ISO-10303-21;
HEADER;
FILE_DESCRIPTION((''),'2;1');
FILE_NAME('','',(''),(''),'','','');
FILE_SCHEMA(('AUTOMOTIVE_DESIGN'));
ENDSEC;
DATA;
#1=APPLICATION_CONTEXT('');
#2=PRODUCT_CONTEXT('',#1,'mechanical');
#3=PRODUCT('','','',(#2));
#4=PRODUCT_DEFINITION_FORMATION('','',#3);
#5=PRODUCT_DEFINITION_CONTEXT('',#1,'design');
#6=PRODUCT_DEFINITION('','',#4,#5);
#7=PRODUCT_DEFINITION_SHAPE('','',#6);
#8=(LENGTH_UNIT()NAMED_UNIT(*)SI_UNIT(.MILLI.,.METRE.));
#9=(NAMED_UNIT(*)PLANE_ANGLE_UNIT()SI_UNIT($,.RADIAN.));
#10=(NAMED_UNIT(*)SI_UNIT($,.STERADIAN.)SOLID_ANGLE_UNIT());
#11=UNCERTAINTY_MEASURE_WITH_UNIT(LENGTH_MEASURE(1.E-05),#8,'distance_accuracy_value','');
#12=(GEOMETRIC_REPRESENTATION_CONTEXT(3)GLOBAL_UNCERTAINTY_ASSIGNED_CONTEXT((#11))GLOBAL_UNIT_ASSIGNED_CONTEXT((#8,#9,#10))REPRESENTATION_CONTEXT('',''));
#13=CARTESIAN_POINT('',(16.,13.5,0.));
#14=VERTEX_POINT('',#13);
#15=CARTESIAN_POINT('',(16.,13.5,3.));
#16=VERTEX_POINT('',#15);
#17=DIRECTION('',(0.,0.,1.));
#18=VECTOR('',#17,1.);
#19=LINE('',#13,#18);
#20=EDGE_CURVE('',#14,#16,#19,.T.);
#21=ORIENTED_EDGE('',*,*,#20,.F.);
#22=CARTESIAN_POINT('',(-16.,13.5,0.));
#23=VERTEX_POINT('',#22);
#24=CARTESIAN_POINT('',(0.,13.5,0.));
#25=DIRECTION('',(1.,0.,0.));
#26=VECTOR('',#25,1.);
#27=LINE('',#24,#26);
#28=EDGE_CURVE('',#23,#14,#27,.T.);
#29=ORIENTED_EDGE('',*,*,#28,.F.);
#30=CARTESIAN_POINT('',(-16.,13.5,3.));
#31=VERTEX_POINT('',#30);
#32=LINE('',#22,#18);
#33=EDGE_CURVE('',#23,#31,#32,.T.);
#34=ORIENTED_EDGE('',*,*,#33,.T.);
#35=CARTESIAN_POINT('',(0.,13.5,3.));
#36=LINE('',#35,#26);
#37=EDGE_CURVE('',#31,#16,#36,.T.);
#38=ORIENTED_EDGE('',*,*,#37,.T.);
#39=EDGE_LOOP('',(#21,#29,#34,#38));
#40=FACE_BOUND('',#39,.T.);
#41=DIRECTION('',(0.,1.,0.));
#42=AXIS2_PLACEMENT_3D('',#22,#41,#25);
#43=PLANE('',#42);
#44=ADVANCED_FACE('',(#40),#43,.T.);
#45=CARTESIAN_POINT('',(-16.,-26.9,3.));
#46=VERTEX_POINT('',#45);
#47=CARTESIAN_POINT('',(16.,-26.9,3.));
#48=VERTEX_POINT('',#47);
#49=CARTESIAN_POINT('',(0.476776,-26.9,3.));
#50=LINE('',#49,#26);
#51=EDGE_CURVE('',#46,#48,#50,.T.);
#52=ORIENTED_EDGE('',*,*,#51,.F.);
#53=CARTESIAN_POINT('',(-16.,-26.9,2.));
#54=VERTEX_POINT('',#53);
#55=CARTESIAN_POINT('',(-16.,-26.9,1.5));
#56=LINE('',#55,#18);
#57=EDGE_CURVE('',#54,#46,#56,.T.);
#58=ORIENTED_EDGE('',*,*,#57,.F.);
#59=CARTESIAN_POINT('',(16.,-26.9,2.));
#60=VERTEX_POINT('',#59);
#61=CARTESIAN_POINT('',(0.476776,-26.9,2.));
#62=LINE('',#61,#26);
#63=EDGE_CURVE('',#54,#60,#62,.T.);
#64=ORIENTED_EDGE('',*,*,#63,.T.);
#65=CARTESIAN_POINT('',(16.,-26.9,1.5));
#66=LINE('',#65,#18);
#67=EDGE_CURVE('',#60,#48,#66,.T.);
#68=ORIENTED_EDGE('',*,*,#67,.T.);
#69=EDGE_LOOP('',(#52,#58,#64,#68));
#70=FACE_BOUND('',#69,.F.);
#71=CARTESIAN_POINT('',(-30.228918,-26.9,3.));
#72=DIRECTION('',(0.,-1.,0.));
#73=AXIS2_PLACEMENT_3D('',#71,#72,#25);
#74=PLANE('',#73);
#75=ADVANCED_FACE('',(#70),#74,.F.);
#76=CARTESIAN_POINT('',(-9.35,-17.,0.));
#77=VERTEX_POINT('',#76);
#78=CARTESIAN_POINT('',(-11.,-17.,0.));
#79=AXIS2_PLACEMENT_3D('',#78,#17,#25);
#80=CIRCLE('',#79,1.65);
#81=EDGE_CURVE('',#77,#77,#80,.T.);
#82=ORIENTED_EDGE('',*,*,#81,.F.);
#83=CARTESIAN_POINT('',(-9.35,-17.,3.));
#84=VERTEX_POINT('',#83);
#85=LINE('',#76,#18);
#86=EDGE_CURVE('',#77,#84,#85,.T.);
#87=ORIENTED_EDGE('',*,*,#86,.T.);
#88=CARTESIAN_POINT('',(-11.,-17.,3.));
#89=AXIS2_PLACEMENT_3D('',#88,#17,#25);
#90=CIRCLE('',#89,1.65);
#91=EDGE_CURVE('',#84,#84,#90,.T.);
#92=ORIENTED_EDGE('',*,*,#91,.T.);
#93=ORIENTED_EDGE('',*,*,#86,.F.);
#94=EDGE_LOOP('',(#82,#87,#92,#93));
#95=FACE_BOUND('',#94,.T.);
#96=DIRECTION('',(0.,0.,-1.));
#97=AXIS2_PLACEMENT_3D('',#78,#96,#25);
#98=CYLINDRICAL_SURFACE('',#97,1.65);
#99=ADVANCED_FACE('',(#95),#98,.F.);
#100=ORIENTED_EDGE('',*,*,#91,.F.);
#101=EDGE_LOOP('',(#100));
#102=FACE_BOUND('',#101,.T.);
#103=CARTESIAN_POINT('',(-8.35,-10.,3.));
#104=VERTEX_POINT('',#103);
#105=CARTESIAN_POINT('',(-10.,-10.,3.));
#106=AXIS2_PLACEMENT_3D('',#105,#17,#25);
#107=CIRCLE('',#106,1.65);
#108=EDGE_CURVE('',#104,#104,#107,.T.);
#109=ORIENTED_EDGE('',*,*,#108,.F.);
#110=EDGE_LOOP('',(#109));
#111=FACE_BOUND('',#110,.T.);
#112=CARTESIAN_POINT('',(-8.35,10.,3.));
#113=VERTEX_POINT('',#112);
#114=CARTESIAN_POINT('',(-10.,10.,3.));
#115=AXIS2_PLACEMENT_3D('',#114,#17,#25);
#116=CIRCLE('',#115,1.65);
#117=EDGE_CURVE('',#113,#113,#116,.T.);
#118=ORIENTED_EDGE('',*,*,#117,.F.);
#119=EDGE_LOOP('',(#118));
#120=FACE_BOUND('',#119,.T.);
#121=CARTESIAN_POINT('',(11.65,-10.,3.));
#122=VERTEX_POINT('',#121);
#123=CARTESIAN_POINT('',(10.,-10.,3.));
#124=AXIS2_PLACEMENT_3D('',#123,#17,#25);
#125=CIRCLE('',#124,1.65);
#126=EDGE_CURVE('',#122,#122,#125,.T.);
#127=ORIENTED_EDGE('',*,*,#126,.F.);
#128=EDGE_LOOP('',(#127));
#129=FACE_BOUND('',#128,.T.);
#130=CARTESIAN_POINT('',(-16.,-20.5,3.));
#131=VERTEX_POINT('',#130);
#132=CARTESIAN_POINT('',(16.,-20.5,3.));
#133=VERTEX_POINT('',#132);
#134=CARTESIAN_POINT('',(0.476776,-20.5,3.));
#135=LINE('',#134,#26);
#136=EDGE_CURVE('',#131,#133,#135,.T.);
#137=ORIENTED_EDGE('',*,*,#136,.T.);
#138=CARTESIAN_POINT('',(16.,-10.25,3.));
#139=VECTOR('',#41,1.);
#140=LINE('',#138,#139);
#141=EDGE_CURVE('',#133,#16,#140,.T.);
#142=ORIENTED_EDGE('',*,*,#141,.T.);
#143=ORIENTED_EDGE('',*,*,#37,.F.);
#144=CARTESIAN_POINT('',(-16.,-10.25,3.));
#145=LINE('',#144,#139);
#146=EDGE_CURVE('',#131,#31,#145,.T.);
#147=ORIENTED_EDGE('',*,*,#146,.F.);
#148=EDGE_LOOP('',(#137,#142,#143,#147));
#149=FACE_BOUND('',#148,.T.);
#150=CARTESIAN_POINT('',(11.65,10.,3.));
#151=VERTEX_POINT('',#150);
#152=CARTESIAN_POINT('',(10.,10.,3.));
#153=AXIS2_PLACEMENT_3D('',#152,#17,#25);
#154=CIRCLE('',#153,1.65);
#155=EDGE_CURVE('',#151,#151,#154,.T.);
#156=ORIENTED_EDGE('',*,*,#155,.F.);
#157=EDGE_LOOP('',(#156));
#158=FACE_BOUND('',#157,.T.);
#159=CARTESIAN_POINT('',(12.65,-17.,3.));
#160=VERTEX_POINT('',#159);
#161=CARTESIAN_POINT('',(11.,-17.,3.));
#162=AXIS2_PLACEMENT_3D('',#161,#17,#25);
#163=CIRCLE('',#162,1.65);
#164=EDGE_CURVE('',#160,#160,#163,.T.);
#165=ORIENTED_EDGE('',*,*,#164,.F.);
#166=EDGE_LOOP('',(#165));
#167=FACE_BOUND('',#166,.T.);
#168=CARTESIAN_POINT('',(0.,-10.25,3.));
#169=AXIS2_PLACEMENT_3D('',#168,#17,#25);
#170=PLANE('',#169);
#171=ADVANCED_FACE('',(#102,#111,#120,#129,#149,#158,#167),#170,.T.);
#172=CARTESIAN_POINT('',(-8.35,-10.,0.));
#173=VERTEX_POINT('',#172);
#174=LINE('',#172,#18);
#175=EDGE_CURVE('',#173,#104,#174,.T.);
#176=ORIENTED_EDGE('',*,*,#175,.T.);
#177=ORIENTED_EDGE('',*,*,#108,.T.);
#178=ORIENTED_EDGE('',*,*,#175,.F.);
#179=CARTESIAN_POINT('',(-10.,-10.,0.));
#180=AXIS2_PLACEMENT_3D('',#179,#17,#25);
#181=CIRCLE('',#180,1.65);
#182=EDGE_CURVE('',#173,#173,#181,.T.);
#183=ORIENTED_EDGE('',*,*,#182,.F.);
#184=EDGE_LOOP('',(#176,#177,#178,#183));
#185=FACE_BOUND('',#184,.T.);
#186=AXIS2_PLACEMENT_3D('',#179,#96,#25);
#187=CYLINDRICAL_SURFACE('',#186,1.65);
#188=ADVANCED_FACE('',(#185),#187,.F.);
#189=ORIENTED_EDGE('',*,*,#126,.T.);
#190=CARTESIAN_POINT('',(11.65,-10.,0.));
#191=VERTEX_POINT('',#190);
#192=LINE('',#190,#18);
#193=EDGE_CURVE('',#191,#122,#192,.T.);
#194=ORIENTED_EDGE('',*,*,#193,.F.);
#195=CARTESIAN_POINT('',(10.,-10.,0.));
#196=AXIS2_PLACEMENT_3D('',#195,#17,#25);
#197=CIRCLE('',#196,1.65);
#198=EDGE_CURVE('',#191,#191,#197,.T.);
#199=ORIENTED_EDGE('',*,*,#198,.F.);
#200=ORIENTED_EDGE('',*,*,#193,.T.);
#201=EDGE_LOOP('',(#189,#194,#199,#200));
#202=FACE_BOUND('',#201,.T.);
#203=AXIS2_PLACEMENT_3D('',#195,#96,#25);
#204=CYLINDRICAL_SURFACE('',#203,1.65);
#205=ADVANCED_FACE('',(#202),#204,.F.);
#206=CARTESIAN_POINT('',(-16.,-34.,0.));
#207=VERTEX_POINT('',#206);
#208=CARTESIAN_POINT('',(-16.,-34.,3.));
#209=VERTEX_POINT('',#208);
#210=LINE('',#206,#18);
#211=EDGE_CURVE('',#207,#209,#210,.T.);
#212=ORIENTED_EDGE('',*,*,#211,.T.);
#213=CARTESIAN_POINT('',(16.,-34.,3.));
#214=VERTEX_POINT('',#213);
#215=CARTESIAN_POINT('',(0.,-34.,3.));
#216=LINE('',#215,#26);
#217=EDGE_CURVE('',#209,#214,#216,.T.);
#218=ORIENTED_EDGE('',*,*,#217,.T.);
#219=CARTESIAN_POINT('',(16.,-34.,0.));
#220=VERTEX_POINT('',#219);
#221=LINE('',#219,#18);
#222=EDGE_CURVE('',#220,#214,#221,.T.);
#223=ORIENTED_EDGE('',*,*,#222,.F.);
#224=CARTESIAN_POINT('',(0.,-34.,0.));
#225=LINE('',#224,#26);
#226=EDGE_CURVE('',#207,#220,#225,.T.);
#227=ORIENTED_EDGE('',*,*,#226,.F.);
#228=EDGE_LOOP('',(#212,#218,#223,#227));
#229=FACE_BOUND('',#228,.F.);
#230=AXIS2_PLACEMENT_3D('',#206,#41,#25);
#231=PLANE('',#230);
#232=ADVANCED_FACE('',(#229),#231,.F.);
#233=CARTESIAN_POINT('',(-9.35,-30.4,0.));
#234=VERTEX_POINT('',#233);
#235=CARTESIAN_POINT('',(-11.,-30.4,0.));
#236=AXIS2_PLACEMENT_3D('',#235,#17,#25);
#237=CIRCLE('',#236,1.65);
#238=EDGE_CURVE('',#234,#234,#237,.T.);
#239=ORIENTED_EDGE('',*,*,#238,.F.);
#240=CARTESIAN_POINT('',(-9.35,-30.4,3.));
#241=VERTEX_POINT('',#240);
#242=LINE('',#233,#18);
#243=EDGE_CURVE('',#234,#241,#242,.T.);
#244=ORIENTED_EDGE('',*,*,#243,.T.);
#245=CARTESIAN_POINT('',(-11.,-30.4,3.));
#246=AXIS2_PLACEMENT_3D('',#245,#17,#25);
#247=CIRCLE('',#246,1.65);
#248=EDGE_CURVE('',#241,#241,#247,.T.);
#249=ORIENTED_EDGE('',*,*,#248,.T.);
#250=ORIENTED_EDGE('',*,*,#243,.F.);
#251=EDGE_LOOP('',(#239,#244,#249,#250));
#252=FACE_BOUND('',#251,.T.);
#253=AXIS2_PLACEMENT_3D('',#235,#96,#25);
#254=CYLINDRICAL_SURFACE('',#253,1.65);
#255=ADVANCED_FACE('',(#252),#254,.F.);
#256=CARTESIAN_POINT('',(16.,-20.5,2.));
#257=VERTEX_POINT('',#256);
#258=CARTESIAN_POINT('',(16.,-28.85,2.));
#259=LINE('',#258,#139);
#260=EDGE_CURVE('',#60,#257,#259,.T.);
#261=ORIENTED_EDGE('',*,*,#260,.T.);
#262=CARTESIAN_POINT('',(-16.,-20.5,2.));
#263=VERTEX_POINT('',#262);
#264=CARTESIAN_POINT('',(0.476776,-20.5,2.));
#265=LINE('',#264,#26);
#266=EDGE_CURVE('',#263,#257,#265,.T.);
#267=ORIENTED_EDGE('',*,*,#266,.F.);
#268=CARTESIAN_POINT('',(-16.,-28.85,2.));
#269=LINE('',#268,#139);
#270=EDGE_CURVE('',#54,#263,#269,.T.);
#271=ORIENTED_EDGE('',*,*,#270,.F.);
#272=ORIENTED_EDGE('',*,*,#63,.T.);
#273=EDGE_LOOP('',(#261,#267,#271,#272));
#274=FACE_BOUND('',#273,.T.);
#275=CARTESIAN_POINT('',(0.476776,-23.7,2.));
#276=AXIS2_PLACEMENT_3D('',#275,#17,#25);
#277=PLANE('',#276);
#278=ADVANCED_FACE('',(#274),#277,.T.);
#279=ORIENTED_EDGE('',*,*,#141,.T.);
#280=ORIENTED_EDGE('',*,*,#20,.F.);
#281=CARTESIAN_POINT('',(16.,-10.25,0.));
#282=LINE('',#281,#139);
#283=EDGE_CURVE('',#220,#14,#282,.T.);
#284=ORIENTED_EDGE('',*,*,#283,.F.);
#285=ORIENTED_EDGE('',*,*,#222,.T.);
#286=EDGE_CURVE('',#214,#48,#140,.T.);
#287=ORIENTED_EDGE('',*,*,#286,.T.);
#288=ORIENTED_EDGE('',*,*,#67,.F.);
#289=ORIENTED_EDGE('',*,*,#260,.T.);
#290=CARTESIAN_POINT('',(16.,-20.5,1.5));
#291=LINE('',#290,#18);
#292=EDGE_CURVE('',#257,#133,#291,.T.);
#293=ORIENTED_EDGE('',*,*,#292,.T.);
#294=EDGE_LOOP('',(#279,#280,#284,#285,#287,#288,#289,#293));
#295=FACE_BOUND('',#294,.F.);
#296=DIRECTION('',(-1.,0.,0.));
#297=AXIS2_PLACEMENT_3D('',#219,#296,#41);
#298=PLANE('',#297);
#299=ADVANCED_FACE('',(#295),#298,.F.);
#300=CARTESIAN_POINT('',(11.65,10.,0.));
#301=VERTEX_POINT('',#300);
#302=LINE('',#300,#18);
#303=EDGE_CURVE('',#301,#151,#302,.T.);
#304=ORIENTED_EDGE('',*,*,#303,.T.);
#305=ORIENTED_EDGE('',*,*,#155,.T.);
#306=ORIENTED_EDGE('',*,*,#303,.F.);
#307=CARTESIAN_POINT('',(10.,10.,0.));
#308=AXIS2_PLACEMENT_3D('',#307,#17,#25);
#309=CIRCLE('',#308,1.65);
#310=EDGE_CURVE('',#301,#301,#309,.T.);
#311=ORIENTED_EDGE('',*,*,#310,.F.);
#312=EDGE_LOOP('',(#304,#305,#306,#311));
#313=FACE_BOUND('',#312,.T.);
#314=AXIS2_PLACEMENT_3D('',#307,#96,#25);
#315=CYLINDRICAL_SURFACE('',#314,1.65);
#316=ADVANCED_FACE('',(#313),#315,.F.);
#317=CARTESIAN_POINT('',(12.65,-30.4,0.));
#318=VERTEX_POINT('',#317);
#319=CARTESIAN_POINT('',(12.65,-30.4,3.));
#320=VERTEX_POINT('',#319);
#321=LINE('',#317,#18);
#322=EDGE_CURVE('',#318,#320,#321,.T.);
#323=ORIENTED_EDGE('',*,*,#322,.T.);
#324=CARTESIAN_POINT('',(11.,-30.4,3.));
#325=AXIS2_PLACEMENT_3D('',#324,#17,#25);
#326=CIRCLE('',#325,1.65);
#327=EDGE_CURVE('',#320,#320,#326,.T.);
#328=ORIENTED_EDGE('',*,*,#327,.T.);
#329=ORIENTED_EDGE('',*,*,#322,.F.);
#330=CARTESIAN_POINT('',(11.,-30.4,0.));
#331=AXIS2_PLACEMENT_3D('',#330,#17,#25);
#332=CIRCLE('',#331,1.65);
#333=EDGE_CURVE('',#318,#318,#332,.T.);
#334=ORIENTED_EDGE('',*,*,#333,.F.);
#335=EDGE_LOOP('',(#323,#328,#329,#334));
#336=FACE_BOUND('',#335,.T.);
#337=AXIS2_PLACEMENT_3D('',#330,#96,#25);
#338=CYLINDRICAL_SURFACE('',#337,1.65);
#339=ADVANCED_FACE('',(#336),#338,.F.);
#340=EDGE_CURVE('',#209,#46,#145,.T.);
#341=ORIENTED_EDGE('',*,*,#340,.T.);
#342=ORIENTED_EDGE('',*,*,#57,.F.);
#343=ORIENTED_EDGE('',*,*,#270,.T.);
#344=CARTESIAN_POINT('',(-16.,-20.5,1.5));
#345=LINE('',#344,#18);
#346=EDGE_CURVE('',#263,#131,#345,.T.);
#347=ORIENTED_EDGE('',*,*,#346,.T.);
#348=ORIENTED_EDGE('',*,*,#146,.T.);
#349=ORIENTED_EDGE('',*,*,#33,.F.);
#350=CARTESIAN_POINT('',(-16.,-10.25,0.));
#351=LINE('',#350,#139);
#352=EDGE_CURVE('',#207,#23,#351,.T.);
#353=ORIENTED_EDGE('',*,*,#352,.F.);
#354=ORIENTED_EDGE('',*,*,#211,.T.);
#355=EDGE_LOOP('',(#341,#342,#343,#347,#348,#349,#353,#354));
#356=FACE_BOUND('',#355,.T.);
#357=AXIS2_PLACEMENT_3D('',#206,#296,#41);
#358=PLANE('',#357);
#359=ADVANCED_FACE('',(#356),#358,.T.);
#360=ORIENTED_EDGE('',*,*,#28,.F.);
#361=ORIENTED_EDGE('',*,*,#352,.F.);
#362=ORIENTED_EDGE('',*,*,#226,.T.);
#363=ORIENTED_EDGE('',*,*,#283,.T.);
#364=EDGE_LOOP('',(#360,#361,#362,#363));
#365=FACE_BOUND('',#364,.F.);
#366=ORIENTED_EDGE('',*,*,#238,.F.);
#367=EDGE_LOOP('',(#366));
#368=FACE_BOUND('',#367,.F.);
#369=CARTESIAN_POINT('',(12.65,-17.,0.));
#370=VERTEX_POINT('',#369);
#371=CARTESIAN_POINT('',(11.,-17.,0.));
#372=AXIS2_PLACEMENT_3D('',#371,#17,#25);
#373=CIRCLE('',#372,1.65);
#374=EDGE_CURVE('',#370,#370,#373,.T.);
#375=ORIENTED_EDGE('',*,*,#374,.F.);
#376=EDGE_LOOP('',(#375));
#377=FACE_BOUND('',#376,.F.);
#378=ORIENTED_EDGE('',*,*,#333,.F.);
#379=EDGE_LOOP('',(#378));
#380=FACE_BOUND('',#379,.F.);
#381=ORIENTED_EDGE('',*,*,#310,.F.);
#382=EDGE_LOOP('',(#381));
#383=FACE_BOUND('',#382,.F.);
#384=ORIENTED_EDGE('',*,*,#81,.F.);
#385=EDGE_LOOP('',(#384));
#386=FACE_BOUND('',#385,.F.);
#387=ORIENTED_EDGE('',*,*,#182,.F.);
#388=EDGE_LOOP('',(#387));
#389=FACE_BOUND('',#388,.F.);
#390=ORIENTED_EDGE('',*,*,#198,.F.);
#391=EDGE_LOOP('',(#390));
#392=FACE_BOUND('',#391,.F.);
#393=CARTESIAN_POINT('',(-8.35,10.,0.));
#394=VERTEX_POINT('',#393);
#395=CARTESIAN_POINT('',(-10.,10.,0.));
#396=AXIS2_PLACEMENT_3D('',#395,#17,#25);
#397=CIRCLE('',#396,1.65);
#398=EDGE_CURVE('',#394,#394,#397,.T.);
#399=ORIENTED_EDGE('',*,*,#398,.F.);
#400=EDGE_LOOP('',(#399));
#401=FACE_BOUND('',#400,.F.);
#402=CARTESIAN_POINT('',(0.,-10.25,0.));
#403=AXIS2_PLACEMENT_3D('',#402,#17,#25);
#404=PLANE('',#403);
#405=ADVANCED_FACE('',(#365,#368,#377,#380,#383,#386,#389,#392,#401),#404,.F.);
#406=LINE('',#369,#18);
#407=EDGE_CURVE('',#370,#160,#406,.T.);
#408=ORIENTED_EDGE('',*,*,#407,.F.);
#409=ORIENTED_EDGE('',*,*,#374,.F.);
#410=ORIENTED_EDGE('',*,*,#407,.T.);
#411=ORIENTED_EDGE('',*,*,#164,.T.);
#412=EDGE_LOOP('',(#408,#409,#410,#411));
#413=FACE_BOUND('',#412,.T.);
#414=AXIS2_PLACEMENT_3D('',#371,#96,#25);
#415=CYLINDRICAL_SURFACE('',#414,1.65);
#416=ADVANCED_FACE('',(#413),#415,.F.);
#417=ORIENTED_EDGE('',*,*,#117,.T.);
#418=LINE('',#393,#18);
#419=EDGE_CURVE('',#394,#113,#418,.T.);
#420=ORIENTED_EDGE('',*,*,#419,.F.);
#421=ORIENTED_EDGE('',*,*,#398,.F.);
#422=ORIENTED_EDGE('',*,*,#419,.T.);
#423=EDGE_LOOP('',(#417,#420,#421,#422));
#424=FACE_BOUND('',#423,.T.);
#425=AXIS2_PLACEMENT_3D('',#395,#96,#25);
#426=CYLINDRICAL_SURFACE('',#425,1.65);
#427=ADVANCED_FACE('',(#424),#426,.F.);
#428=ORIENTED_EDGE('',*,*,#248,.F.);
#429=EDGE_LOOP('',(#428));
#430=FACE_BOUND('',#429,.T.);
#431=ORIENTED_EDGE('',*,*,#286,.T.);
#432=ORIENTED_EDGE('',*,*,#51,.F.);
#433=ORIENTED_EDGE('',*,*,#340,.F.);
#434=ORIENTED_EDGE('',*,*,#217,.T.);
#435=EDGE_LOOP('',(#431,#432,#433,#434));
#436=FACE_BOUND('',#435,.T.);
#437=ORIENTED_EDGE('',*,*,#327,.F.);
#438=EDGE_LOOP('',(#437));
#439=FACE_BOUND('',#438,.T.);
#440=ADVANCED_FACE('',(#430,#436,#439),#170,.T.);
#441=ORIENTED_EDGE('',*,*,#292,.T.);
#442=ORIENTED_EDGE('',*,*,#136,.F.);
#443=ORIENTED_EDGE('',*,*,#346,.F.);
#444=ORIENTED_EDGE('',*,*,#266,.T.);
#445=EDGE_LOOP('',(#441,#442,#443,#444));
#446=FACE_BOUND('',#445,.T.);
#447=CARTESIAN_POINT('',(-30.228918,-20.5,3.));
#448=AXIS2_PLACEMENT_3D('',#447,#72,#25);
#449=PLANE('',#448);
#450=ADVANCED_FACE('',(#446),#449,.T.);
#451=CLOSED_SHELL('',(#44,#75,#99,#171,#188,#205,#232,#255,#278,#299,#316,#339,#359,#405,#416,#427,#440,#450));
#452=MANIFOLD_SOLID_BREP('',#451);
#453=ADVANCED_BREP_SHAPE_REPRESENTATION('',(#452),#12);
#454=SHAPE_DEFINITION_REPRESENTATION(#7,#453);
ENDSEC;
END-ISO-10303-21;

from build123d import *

# Parameters (mm, degrees)
SKETCH_W     = 32
SKETCH_H     = 47.5
SKETCH_R     = 1.65
PAD_DEPTH    = 3
SKETCH001_W  = 61.411388
SKETCH001_H  = 6.4
POCKET_DEPTH = 1


with BuildPart() as part:
    # Sketch → Pad (new body)
    with BuildSketch(Plane.XY):
        with Locations((0, -10.25)):
            Rectangle(SKETCH_W, SKETCH_H)
        with Locations((-10, -10)):
            Circle(SKETCH_R, mode=Mode.SUBTRACT)
        with Locations((-10, 10)):
            Circle(SKETCH_R, mode=Mode.SUBTRACT)
        with Locations((10, 10)):
            Circle(SKETCH_R, mode=Mode.SUBTRACT)
        with Locations((10, -10)):
            Circle(SKETCH_R, mode=Mode.SUBTRACT)
        with Locations((-11, -17)):
            Circle(SKETCH_R, mode=Mode.SUBTRACT)
        with Locations((11, -17)):
            Circle(SKETCH_R, mode=Mode.SUBTRACT)
        with Locations((-11, -30.4)):
            Circle(SKETCH_R, mode=Mode.SUBTRACT)
        with Locations((11, -30.4)):
            Circle(SKETCH_R, mode=Mode.SUBTRACT)
    extrude(amount=PAD_DEPTH)

    # Sketch001 (on Face14 of Pad) → Pocket (cut)
    with BuildSketch(Plane.XY.offset(3)):
        with Locations((0.476776, -23.7)):
            Rectangle(SKETCH001_W, SKETCH001_H)
    extrude(amount=-POCKET_DEPTH, mode=Mode.SUBTRACT)


solid = part.part
